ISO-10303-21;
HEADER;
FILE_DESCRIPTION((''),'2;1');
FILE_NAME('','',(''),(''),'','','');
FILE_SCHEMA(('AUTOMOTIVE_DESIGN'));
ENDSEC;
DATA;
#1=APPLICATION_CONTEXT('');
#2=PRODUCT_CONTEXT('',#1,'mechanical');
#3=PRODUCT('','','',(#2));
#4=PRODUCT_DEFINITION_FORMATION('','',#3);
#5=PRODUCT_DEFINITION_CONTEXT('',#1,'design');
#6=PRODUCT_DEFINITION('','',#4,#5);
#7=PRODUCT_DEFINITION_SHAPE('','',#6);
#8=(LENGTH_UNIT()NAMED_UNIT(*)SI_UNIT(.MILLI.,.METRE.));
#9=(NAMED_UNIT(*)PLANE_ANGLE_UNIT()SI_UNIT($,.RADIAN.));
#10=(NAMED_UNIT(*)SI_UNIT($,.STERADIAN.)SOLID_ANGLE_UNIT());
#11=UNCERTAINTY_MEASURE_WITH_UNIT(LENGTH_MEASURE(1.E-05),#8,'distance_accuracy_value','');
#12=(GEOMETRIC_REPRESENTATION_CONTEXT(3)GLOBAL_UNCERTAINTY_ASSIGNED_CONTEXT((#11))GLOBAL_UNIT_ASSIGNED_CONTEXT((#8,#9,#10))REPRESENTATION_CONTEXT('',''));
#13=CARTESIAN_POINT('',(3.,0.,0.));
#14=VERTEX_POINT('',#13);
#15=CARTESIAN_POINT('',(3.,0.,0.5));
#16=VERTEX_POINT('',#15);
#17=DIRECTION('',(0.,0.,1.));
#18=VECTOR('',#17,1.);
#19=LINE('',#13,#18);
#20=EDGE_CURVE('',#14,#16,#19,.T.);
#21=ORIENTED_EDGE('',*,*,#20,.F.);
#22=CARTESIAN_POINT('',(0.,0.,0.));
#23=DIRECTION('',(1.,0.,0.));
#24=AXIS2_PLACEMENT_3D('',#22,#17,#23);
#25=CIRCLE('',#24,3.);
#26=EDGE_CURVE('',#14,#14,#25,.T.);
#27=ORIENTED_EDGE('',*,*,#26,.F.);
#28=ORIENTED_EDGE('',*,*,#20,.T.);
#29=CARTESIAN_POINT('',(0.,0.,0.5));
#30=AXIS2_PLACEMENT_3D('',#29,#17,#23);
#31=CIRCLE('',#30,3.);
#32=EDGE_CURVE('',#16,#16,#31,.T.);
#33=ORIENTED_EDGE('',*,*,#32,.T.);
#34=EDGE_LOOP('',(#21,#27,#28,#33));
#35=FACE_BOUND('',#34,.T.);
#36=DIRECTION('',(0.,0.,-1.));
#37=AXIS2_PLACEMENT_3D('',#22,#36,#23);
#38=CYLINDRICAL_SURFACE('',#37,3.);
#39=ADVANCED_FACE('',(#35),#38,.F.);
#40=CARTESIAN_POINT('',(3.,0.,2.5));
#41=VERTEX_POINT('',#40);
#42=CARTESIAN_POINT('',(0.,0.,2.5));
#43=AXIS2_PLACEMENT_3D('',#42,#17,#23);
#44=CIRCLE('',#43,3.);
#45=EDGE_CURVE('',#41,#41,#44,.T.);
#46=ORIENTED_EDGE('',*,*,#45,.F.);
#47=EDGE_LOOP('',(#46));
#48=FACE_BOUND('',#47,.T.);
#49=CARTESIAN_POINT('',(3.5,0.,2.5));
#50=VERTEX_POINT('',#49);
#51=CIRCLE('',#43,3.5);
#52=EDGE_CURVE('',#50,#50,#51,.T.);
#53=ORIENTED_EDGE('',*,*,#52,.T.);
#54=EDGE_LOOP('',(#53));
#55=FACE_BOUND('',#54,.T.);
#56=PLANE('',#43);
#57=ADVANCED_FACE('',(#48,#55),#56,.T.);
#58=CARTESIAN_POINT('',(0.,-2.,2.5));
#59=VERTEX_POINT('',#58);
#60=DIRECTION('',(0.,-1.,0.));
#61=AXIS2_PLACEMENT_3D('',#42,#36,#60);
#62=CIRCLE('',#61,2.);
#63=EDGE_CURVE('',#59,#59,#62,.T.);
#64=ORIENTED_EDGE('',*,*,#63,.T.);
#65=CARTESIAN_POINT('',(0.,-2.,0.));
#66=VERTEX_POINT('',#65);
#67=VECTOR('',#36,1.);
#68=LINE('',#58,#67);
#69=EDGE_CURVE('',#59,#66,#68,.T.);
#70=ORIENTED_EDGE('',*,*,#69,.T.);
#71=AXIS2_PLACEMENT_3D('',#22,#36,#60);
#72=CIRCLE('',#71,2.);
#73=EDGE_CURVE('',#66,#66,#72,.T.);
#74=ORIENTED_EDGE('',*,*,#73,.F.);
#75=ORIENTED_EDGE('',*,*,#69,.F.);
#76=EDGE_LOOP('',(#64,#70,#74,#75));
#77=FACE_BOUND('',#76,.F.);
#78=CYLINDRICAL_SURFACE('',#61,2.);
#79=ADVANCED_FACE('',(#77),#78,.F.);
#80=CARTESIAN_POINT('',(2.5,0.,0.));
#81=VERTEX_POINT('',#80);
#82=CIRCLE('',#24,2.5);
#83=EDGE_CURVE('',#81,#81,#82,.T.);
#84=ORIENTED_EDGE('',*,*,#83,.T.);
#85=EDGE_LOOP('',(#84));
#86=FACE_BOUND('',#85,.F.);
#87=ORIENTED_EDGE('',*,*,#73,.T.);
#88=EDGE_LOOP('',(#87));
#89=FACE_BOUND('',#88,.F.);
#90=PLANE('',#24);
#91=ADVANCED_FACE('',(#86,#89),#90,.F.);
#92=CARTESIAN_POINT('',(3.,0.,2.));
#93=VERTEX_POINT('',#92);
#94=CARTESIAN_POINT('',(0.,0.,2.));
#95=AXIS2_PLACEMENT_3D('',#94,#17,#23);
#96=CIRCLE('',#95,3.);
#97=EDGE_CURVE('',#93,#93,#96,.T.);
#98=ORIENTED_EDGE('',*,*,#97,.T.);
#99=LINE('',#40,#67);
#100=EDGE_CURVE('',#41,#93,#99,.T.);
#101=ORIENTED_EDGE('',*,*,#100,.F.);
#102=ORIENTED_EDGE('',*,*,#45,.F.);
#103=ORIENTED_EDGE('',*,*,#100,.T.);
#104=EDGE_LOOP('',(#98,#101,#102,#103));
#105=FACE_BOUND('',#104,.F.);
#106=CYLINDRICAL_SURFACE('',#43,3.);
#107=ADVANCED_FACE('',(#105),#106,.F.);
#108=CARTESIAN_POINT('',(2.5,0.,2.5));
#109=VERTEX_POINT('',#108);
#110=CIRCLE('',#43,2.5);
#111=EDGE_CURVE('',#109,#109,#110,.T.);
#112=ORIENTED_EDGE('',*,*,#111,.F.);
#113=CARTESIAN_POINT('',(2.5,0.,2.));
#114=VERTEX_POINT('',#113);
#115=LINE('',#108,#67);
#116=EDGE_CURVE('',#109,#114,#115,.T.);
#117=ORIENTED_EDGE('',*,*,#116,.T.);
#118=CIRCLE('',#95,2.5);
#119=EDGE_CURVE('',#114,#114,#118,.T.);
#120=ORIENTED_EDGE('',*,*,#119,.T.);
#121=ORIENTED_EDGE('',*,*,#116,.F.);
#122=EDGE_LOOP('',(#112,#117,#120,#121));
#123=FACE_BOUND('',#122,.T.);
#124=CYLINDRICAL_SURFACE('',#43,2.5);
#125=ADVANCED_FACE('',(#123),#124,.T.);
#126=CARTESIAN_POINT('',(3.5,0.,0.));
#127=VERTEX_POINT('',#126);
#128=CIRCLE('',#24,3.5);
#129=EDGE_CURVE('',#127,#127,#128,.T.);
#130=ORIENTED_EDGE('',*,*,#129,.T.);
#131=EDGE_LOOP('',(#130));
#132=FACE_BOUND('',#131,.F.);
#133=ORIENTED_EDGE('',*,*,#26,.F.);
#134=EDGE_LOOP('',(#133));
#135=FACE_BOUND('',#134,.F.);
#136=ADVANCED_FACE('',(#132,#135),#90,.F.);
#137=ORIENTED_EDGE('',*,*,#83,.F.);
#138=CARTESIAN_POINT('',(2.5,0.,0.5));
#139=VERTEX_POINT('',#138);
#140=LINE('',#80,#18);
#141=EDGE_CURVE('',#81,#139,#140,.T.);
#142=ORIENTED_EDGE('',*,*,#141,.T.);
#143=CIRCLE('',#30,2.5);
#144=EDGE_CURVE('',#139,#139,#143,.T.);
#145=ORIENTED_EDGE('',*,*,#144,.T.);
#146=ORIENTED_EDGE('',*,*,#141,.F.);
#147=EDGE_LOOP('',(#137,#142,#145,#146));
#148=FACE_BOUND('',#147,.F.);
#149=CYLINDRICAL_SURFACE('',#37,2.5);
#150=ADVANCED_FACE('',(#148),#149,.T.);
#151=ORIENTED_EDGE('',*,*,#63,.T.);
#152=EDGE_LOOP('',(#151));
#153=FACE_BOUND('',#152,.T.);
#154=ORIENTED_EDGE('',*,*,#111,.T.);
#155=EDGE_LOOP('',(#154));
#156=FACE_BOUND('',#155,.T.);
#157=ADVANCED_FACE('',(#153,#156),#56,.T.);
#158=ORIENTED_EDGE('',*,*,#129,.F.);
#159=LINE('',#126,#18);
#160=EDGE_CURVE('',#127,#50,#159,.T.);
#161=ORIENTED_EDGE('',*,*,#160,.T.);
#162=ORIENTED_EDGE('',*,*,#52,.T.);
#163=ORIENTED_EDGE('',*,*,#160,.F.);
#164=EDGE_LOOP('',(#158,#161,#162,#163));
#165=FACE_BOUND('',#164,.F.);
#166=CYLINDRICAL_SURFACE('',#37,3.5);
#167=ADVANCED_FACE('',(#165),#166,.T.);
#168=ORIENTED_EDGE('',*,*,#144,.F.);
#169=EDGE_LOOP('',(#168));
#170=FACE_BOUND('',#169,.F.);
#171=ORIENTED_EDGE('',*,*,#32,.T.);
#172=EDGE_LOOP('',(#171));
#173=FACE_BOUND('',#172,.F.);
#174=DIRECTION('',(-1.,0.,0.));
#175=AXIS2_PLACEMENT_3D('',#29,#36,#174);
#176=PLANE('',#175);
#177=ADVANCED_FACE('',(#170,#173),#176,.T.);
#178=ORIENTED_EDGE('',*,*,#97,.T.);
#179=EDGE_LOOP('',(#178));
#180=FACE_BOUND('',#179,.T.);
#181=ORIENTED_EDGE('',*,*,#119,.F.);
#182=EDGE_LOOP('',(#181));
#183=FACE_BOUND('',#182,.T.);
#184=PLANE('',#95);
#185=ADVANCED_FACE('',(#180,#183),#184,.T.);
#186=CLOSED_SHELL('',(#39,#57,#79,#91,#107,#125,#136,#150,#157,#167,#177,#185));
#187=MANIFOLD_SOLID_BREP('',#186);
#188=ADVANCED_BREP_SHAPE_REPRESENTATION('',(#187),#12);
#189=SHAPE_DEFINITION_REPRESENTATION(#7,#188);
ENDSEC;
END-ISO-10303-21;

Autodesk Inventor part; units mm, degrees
ref_plane "YZ Plane" through (0, 0, 0) normal (1, 0, 0) x (0, 1, 0)
ref_plane "XZ Plane" through (0, 0, 0) normal (0, 1, 0) x (-1, 0, 0)
sketch "Sketch1" plane through (0, 0, 0) normal (0, 0, 1) x (1, 0, 0)
  circle A0 centre (0, 0) radius 3.5
  dimension "d0" = 7
extrude "Extrusion1" add sketch "Sketch1" along normal blind 2.5
hole "Hole1" at (0, 0, 2.5) direction (0, 0, -1) diameter 4 end through all
sketch "Sketch2" plane through (0, 0, 2.5) normal (0, 0, 1) x (1, 0, 0)
  circle A0 centre (0, 0) radius 3
  circle A1 centre (0, 0) radius 2.5
  dimension "d12" = 6
  dimension "d13" = 5
extrude "Extrusion2" cut sketch "Sketch2" against normal blind 0.5
ref_plane "Work Plane1" through (0, 0, 1.25) normal (0, 0, 1) x (1, 0, 0)
mirror "Mirror1" about plane through (0, 0, 1.25) normal (0, 0, 1) of "Extrusion2"
properties part number "bearing_4x7x2.5_74" material "Stainless Steel"
